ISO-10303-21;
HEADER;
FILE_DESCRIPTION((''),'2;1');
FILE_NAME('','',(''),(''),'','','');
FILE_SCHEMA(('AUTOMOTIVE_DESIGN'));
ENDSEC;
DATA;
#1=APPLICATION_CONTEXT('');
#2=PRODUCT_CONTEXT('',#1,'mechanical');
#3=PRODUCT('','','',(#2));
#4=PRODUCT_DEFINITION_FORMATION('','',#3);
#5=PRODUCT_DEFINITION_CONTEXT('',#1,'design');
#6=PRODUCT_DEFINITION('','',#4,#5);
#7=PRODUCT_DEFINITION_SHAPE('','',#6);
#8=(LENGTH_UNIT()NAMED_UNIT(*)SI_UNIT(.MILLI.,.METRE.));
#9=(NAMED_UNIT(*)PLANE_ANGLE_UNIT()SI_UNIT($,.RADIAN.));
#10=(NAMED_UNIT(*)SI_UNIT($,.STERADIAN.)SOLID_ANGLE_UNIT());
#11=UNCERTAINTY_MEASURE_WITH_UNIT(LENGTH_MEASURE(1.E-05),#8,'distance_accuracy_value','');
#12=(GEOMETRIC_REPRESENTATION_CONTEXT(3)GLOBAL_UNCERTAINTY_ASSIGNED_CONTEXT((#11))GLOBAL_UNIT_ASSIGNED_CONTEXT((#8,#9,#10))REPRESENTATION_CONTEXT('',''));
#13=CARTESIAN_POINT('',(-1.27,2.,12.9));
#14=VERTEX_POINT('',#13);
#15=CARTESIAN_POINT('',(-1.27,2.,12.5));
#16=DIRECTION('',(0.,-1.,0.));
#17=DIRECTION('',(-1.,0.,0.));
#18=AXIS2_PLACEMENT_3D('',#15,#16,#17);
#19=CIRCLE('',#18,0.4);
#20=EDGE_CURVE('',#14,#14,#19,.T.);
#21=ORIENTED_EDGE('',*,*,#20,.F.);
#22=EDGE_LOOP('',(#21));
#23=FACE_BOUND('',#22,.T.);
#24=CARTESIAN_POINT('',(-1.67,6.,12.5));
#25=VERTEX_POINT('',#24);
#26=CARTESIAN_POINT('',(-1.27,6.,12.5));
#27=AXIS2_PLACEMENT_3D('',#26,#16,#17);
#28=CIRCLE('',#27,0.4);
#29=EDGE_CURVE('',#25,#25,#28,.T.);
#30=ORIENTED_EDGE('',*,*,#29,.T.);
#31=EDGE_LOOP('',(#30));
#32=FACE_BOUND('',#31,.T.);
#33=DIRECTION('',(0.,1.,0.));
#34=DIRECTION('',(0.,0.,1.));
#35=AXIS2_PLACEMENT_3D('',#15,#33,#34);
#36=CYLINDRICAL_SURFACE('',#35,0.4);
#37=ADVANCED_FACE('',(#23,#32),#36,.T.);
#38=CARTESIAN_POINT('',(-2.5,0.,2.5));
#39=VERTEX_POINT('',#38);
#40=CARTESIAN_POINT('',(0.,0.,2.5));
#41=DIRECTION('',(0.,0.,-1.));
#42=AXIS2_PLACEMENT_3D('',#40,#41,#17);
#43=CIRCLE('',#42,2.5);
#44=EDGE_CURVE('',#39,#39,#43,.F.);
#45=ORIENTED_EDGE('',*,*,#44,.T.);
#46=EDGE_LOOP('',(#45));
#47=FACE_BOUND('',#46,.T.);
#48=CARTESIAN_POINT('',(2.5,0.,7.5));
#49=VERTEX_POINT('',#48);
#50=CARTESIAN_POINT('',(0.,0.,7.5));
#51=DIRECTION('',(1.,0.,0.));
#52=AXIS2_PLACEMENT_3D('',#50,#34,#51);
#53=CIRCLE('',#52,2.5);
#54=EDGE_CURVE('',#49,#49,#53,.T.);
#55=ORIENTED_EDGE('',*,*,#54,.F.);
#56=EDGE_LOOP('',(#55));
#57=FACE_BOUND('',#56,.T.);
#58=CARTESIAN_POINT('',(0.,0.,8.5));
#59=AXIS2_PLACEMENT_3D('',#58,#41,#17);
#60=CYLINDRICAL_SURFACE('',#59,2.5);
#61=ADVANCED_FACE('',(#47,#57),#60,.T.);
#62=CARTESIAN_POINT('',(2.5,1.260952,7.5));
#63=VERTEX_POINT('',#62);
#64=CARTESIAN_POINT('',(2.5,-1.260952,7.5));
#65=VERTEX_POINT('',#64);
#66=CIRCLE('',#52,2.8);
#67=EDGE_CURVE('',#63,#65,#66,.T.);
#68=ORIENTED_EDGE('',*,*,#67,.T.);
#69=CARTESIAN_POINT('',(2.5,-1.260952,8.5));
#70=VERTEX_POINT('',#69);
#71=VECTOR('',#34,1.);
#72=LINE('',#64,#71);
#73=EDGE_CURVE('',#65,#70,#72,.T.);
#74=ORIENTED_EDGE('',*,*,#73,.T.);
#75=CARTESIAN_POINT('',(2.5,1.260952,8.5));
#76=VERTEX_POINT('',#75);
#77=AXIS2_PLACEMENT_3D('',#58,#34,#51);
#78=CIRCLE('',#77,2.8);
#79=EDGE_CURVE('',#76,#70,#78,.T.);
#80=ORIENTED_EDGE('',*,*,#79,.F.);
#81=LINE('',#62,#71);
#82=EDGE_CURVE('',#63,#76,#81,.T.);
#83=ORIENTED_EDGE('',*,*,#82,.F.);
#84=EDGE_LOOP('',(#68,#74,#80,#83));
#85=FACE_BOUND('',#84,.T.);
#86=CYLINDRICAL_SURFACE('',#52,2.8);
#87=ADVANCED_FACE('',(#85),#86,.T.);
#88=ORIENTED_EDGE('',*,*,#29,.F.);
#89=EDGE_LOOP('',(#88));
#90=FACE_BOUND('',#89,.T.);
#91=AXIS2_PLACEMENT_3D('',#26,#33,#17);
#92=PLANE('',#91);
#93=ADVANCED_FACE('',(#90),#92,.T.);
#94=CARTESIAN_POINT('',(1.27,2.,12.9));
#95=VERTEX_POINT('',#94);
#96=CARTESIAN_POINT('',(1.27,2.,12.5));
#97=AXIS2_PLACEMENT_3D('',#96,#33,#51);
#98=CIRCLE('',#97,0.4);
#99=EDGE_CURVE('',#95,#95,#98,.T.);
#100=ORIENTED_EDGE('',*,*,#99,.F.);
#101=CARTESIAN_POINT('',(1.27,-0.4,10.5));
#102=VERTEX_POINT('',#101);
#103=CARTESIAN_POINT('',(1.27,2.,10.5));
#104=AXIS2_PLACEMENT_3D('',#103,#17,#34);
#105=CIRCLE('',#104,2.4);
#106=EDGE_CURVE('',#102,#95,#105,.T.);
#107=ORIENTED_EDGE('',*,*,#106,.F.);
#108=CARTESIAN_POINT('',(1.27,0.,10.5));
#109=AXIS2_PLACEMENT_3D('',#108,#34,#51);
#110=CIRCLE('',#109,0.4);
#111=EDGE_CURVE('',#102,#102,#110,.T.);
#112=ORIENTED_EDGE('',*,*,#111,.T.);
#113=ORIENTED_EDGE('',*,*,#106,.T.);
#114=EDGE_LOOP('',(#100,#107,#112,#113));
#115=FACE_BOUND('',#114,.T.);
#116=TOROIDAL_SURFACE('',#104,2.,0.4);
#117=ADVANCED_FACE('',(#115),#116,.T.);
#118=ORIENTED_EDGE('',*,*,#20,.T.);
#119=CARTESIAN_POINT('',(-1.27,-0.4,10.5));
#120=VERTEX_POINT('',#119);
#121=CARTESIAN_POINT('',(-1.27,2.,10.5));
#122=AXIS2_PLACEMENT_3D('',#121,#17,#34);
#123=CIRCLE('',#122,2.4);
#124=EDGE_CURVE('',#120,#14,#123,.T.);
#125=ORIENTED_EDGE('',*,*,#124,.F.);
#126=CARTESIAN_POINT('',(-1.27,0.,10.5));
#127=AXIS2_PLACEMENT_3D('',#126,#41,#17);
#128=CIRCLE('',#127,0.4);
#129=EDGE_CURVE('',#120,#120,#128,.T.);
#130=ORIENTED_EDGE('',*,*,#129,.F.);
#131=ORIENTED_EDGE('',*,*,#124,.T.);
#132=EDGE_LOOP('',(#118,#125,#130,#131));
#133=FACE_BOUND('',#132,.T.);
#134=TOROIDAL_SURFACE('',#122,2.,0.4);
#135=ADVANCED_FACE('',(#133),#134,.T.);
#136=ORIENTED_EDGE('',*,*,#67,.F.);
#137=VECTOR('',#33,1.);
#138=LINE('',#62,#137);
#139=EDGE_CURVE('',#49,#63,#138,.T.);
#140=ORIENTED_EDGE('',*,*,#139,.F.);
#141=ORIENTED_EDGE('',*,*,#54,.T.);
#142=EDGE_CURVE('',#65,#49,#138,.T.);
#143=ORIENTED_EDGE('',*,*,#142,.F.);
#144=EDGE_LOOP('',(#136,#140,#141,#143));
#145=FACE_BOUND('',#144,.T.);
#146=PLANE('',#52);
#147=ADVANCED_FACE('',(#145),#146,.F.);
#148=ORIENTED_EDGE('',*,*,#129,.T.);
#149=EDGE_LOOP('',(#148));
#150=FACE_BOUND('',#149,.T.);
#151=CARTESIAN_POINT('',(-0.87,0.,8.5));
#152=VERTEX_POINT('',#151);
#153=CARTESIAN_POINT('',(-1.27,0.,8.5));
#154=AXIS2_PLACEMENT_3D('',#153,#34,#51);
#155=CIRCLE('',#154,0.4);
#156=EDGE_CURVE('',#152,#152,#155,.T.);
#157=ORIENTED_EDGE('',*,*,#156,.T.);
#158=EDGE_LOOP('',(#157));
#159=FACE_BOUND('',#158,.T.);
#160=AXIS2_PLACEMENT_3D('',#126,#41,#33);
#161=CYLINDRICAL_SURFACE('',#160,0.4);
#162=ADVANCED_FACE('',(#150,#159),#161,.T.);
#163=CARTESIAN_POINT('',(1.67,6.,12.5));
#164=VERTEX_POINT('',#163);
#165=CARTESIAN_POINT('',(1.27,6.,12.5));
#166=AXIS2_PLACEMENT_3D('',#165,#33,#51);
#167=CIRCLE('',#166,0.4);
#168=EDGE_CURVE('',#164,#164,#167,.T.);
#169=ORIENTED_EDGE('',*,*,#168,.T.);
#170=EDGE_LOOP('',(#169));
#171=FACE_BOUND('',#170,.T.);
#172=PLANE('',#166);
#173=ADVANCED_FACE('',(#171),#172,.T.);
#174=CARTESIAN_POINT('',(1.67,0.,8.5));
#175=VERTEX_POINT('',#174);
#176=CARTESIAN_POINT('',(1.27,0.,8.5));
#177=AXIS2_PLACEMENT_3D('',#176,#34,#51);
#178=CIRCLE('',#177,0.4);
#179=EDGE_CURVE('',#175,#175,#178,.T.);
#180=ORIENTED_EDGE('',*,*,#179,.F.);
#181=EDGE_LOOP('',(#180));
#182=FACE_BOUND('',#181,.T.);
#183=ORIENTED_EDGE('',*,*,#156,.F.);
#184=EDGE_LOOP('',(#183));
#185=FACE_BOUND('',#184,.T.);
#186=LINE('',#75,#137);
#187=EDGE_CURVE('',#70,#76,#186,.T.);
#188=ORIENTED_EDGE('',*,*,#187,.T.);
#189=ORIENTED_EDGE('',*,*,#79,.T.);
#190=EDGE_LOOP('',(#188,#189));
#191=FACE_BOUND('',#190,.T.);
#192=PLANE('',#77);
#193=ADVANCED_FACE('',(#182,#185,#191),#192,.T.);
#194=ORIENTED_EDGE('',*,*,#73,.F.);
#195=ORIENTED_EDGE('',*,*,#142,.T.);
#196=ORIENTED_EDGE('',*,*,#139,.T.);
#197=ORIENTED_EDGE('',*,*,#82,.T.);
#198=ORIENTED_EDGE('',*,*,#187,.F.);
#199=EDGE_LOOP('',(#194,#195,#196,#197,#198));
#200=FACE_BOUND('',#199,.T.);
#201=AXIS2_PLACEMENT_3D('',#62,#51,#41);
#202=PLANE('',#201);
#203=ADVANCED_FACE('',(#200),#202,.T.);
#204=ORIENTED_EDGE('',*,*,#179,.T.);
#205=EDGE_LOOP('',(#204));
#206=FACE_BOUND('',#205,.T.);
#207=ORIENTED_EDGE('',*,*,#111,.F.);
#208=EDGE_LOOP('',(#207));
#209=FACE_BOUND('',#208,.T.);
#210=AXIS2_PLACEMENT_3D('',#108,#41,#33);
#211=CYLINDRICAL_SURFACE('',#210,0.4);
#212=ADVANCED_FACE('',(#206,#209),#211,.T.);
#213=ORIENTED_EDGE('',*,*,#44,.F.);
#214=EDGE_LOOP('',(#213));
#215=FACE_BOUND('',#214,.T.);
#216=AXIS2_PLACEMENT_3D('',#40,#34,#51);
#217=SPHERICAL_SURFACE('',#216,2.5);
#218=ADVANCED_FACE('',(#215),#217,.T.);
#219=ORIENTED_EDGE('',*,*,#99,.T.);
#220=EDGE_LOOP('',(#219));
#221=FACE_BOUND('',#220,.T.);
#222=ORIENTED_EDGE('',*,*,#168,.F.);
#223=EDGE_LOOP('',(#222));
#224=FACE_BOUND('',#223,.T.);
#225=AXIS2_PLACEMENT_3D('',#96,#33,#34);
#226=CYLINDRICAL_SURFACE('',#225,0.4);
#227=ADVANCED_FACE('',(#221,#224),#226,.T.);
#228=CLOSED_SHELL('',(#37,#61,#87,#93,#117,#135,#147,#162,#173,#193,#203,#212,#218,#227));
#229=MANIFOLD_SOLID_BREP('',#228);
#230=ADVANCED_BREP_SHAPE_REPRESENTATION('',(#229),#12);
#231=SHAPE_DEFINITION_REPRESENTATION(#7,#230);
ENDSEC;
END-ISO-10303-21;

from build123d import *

# Parameters (mm, degrees)
ESQUISSE1_R          = 2.5
BASE_EXTRUSION_DEPTH = 8.5
BOSS_EXTRU_1_DEPTH   = 1
CONG_1_R             = 2.5
ESQUISSE3_R          = 0.4


with BuildPart() as part:
    # Esquisse1 → Base-Extrusion (new body)
    with BuildSketch(Plane.XY):
        Circle(ESQUISSE1_R)
    extrude(amount=BASE_EXTRUSION_DEPTH)

    # Esquisse2 → Boss.-Extru.1 (add)
    with BuildSketch(Plane.XY.offset(8.5)):
        with BuildLine():
            Line((2.5, 1.260952021), (2.5, -1.260952021))
            ThreePointArc((2.5, -1.260952021), (-2.8, 0), (2.5, 1.260952021))
        make_face()
    extrude(amount=-BOSS_EXTRU_1_DEPTH)

    # Congé1
    cong_1_edges = [part.edges().sort_by_distance(p)[0] for p in [
        (-2.5, 0, 0),
    ]]
    fillet(cong_1_edges, radius=CONG_1_R)

    # Balayage1: sweep along a path in Esquisse5
    with BuildLine(Plane(origin=(1.27, 0, 0), x_dir=(0, 0, -1), z_dir=(1, 0, 0))) as balayage1_path:
        Line((-8.5, 0), (-10.5, 0))
        ThreePointArc((-10.5, 0), (-11.914213562, 0.585786438), (-12.5, 2))
        Line((-12.5, 2), (-12.5, 6))
    # Esquisse3 → Balayage1 (sweep)
    with BuildSketch(Plane.XY.offset(8.5)):
        with Locations((1.27, 0)):
            Circle(ESQUISSE3_R)
    balayage1 = sweep(path=balayage1_path.line)

    # Symétrie1: Balayage1 across plane
    add(balayage1.mirror(Plane(origin=(0, 0, 0), x_dir=(0, 0, 1), z_dir=(1, 0, 0))))


solid = part.part
